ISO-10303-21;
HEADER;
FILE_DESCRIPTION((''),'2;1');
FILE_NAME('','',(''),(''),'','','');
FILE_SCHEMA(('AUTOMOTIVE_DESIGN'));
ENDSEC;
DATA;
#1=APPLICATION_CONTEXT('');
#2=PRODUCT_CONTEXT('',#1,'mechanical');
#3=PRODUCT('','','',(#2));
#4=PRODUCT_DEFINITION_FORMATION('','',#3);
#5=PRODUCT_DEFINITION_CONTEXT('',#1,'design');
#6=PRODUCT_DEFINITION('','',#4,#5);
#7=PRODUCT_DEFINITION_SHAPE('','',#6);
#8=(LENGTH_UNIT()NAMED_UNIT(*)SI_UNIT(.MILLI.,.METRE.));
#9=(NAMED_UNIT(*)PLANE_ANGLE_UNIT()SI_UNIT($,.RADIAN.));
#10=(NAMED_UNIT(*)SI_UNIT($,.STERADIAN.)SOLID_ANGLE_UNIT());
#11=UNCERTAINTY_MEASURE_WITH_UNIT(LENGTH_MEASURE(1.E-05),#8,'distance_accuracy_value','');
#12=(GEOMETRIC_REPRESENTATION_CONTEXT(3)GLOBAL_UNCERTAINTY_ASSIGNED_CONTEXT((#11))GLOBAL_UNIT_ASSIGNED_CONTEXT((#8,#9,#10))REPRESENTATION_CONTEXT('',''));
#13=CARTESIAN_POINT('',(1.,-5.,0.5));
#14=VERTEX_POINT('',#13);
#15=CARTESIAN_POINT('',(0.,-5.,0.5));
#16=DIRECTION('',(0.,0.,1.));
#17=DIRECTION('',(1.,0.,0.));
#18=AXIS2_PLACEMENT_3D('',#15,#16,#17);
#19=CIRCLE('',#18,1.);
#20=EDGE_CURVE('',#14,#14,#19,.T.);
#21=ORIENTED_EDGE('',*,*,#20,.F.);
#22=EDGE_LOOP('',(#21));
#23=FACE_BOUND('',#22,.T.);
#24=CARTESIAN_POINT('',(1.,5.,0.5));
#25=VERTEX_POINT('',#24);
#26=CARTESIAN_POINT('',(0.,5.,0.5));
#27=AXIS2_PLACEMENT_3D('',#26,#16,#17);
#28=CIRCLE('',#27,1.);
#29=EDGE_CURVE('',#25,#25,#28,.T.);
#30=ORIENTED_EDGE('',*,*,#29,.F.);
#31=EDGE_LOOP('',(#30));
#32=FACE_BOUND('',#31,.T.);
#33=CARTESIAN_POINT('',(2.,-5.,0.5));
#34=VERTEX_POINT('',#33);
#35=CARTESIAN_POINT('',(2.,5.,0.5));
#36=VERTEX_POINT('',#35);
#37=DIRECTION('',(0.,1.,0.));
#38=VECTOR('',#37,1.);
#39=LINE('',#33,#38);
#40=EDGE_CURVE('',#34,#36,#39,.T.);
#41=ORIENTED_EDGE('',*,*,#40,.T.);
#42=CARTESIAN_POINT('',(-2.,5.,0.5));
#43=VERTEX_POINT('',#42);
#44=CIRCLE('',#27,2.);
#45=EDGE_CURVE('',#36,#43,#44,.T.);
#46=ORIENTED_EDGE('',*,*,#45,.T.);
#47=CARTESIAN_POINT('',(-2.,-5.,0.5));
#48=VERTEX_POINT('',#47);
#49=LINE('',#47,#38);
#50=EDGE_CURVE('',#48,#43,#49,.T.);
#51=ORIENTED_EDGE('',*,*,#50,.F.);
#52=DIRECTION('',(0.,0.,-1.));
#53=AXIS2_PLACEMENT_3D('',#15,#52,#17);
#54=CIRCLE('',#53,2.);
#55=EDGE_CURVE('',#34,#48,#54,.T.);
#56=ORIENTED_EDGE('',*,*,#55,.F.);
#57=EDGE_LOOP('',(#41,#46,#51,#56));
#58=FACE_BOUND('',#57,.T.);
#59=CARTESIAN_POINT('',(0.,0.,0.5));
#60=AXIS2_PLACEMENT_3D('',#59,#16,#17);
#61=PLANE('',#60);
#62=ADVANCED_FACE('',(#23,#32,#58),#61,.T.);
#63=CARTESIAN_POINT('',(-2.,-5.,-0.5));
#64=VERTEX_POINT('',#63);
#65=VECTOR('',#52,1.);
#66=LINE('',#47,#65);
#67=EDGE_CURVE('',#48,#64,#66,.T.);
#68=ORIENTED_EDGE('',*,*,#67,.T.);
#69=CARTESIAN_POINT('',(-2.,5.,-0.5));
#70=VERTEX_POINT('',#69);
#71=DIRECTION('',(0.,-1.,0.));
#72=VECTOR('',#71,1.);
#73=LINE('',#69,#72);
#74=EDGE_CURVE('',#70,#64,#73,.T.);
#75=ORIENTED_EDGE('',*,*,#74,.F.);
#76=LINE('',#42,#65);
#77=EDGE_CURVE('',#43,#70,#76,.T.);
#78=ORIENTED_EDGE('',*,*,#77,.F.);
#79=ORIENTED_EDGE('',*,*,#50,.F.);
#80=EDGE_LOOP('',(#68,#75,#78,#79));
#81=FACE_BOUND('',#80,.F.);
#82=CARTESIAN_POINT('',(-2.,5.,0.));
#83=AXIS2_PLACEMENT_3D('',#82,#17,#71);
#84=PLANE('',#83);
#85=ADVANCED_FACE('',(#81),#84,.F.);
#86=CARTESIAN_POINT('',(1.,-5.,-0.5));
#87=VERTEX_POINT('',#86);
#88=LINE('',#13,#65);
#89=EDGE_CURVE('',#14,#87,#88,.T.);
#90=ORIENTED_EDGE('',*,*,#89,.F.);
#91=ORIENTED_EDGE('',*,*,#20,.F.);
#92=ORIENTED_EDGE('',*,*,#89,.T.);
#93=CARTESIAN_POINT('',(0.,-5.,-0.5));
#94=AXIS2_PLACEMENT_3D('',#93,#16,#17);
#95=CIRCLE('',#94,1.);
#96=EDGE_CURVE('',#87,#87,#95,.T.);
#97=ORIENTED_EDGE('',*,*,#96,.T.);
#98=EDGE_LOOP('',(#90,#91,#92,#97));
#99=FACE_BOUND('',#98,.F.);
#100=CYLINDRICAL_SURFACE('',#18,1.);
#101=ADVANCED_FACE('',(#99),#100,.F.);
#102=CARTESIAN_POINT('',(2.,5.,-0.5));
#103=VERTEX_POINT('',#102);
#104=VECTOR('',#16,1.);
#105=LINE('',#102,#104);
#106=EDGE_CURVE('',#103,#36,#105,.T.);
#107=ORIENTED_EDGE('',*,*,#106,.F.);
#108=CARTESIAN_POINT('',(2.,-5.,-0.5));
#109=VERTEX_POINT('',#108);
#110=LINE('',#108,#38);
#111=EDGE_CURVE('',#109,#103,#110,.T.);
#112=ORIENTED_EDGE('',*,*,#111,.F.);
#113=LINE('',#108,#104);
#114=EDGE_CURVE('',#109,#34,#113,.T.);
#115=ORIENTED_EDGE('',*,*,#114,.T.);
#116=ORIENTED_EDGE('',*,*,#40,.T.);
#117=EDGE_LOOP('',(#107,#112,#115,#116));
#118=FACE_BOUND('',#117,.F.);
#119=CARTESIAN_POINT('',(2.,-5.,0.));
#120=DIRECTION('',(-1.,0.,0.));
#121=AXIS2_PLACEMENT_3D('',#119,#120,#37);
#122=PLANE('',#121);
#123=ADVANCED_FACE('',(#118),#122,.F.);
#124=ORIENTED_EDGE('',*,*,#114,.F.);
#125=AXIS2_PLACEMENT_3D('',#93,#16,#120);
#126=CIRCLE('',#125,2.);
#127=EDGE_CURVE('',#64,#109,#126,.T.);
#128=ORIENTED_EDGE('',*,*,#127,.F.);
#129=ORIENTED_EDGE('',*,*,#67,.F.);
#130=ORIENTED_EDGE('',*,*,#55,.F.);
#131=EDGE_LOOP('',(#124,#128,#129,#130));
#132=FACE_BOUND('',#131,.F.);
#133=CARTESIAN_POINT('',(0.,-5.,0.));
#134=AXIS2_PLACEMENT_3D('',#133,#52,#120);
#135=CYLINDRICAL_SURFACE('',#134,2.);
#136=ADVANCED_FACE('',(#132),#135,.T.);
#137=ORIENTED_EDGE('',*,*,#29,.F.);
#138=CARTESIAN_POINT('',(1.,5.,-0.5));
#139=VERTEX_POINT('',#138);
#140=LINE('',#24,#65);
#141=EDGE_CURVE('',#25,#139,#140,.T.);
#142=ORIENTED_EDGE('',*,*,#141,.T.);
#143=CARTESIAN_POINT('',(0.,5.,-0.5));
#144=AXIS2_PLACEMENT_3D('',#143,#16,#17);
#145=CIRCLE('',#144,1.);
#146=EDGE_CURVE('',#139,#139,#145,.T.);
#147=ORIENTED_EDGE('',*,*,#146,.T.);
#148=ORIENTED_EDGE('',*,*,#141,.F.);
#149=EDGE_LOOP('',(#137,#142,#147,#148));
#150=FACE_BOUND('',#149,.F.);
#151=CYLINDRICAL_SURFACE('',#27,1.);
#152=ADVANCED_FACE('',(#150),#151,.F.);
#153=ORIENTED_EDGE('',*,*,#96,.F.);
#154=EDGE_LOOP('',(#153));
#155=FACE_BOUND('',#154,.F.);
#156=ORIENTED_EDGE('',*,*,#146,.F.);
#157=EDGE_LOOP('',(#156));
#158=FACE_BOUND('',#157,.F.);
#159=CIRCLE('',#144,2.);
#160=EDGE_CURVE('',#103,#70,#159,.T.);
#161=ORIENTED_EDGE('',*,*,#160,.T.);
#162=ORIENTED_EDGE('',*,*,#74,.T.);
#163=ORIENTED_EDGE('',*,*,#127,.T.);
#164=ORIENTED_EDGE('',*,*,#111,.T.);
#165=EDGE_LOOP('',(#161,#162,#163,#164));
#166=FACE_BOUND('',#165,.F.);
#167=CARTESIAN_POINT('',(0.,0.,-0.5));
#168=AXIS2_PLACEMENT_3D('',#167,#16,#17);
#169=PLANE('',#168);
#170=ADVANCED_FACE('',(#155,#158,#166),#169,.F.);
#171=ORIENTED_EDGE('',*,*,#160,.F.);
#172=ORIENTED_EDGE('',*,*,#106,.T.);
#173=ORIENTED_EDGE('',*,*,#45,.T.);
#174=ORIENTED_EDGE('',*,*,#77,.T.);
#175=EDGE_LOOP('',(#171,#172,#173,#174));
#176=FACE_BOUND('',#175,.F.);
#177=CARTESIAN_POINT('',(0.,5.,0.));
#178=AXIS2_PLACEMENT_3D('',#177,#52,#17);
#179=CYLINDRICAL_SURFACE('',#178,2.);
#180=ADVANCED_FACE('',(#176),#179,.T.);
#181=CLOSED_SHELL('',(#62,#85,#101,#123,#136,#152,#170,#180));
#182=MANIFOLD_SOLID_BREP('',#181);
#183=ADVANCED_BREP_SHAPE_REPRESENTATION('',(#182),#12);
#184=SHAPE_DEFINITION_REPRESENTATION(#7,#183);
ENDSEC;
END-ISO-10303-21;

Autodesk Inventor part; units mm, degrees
ref_plane "YZ Plane" through (0, 0, 0) normal (1, 0, 0) x (0, 1, 0)
ref_plane "XZ Plane" through (0, 0, 0) normal (0, 1, 0) x (-1, 0, 0)
ref_plane "XY Plane" through (0, 0, 0) normal (0, 0, 1) x (1, 0, 0)
sketch "草圖1" plane through (0, 0, 0) normal (0, 0, 1) x (1, 0, 0)
  line L0 (0, -5) -> (0, 5) construction
  line L1 (2, -5) -> (2, 5)
  line L2 (-2, 5) -> (-2, -5)
  arc A0 (-2, -5) -> (2, -5) centre (0, -5) ccw
  arc A1 (2, 5) -> (-2, 5) centre (0, 5) ccw
  point P0 (0, 0)
  dimension "d0" = 10
  dimension "d21" = 4
extrude "擠出1" add sketch "草圖1" along normal mid plane 1
sketch "草圖2" plane through (0, 0, 0) normal (0, 0, 1) x (1, 0, 0)
  arc A0 (-2, -5) -> (2, -5) centre (0, -5) ccw projected
  circle A1 centre (0, -5) radius 0.75
  point P0 (0, 0)
  dimension "d3" = 1.5
extrude "擠出2" add sketch "草圖2" along normal mid plane 3
sketch "草圖3" plane through (0, 0, 0) normal (0, 0, 1) x (1, 0, 0)
  arc A0 (2, 5) -> (-2, 5) centre (0, 5) ccw projected
  circle A1 centre (0, 5) radius 0.75
  point P0 (0, 0)
  dimension "d6" = 1.5
extrude "擠出3" add sketch "草圖3" along normal mid plane 3
sketch "草圖4" plane through (2, -5, 0.5) normal (1, 0, 0) x (0, 0, -1)
  line L0 (0, 0) -> (0, -2) projected
  line L1 (0, -2) -> (-2.346, -2)
  line L2 (-2.346, -2) -> (-2.346, 2.4059)
  line L3 (-2.346, 2.4059) -> (0, 2.4059)
  line L4 (0, 2.4059) -> (0, -2)
  point P0 (0.5, 5)
extrude "擠出4" cut sketch "草圖4" against normal blind 10
sketch "草圖5" plane through (0, 0, -0.5) normal (0, 0, -1) x (-1, 0, 0)
  circle A0 centre (0, 5) radius 0.75 projected
  point P0 (0, 0)
extrude "擠出5" cut sketch "草圖5" along normal blind 10
sketch "草圖7" plane through (0, 5, 1.5) normal (0, 0, 1) x (1, 0, 0)
  circle A0 centre (0, 0) radius 0.75
  circle A1 centre (0, 0) radius 0.75 projected
  circle A2 centre (0, -10) radius 0.75 projected
  point P0 (0, -5)
extrude "擠出7" cut sketch "草圖7" against normal blind 10
sketch "草圖8" plane through (0, 0, 0.5) normal (0, 0, 1) x (1, 0, 0)
  circle A0 centre (0, 5) radius 0.75 projected
  circle A1 centre (0, 5) radius 1
  circle A2 centre (0, -5) radius 0.75 projected
  circle A3 centre (0, -5) radius 1
  point P0 (0, 0)
  dimension "d17" = 2
  dimension "d18" = 2
extrude "擠出8" cut sketch "草圖8" against normal blind 10
properties part number "圓盤"
